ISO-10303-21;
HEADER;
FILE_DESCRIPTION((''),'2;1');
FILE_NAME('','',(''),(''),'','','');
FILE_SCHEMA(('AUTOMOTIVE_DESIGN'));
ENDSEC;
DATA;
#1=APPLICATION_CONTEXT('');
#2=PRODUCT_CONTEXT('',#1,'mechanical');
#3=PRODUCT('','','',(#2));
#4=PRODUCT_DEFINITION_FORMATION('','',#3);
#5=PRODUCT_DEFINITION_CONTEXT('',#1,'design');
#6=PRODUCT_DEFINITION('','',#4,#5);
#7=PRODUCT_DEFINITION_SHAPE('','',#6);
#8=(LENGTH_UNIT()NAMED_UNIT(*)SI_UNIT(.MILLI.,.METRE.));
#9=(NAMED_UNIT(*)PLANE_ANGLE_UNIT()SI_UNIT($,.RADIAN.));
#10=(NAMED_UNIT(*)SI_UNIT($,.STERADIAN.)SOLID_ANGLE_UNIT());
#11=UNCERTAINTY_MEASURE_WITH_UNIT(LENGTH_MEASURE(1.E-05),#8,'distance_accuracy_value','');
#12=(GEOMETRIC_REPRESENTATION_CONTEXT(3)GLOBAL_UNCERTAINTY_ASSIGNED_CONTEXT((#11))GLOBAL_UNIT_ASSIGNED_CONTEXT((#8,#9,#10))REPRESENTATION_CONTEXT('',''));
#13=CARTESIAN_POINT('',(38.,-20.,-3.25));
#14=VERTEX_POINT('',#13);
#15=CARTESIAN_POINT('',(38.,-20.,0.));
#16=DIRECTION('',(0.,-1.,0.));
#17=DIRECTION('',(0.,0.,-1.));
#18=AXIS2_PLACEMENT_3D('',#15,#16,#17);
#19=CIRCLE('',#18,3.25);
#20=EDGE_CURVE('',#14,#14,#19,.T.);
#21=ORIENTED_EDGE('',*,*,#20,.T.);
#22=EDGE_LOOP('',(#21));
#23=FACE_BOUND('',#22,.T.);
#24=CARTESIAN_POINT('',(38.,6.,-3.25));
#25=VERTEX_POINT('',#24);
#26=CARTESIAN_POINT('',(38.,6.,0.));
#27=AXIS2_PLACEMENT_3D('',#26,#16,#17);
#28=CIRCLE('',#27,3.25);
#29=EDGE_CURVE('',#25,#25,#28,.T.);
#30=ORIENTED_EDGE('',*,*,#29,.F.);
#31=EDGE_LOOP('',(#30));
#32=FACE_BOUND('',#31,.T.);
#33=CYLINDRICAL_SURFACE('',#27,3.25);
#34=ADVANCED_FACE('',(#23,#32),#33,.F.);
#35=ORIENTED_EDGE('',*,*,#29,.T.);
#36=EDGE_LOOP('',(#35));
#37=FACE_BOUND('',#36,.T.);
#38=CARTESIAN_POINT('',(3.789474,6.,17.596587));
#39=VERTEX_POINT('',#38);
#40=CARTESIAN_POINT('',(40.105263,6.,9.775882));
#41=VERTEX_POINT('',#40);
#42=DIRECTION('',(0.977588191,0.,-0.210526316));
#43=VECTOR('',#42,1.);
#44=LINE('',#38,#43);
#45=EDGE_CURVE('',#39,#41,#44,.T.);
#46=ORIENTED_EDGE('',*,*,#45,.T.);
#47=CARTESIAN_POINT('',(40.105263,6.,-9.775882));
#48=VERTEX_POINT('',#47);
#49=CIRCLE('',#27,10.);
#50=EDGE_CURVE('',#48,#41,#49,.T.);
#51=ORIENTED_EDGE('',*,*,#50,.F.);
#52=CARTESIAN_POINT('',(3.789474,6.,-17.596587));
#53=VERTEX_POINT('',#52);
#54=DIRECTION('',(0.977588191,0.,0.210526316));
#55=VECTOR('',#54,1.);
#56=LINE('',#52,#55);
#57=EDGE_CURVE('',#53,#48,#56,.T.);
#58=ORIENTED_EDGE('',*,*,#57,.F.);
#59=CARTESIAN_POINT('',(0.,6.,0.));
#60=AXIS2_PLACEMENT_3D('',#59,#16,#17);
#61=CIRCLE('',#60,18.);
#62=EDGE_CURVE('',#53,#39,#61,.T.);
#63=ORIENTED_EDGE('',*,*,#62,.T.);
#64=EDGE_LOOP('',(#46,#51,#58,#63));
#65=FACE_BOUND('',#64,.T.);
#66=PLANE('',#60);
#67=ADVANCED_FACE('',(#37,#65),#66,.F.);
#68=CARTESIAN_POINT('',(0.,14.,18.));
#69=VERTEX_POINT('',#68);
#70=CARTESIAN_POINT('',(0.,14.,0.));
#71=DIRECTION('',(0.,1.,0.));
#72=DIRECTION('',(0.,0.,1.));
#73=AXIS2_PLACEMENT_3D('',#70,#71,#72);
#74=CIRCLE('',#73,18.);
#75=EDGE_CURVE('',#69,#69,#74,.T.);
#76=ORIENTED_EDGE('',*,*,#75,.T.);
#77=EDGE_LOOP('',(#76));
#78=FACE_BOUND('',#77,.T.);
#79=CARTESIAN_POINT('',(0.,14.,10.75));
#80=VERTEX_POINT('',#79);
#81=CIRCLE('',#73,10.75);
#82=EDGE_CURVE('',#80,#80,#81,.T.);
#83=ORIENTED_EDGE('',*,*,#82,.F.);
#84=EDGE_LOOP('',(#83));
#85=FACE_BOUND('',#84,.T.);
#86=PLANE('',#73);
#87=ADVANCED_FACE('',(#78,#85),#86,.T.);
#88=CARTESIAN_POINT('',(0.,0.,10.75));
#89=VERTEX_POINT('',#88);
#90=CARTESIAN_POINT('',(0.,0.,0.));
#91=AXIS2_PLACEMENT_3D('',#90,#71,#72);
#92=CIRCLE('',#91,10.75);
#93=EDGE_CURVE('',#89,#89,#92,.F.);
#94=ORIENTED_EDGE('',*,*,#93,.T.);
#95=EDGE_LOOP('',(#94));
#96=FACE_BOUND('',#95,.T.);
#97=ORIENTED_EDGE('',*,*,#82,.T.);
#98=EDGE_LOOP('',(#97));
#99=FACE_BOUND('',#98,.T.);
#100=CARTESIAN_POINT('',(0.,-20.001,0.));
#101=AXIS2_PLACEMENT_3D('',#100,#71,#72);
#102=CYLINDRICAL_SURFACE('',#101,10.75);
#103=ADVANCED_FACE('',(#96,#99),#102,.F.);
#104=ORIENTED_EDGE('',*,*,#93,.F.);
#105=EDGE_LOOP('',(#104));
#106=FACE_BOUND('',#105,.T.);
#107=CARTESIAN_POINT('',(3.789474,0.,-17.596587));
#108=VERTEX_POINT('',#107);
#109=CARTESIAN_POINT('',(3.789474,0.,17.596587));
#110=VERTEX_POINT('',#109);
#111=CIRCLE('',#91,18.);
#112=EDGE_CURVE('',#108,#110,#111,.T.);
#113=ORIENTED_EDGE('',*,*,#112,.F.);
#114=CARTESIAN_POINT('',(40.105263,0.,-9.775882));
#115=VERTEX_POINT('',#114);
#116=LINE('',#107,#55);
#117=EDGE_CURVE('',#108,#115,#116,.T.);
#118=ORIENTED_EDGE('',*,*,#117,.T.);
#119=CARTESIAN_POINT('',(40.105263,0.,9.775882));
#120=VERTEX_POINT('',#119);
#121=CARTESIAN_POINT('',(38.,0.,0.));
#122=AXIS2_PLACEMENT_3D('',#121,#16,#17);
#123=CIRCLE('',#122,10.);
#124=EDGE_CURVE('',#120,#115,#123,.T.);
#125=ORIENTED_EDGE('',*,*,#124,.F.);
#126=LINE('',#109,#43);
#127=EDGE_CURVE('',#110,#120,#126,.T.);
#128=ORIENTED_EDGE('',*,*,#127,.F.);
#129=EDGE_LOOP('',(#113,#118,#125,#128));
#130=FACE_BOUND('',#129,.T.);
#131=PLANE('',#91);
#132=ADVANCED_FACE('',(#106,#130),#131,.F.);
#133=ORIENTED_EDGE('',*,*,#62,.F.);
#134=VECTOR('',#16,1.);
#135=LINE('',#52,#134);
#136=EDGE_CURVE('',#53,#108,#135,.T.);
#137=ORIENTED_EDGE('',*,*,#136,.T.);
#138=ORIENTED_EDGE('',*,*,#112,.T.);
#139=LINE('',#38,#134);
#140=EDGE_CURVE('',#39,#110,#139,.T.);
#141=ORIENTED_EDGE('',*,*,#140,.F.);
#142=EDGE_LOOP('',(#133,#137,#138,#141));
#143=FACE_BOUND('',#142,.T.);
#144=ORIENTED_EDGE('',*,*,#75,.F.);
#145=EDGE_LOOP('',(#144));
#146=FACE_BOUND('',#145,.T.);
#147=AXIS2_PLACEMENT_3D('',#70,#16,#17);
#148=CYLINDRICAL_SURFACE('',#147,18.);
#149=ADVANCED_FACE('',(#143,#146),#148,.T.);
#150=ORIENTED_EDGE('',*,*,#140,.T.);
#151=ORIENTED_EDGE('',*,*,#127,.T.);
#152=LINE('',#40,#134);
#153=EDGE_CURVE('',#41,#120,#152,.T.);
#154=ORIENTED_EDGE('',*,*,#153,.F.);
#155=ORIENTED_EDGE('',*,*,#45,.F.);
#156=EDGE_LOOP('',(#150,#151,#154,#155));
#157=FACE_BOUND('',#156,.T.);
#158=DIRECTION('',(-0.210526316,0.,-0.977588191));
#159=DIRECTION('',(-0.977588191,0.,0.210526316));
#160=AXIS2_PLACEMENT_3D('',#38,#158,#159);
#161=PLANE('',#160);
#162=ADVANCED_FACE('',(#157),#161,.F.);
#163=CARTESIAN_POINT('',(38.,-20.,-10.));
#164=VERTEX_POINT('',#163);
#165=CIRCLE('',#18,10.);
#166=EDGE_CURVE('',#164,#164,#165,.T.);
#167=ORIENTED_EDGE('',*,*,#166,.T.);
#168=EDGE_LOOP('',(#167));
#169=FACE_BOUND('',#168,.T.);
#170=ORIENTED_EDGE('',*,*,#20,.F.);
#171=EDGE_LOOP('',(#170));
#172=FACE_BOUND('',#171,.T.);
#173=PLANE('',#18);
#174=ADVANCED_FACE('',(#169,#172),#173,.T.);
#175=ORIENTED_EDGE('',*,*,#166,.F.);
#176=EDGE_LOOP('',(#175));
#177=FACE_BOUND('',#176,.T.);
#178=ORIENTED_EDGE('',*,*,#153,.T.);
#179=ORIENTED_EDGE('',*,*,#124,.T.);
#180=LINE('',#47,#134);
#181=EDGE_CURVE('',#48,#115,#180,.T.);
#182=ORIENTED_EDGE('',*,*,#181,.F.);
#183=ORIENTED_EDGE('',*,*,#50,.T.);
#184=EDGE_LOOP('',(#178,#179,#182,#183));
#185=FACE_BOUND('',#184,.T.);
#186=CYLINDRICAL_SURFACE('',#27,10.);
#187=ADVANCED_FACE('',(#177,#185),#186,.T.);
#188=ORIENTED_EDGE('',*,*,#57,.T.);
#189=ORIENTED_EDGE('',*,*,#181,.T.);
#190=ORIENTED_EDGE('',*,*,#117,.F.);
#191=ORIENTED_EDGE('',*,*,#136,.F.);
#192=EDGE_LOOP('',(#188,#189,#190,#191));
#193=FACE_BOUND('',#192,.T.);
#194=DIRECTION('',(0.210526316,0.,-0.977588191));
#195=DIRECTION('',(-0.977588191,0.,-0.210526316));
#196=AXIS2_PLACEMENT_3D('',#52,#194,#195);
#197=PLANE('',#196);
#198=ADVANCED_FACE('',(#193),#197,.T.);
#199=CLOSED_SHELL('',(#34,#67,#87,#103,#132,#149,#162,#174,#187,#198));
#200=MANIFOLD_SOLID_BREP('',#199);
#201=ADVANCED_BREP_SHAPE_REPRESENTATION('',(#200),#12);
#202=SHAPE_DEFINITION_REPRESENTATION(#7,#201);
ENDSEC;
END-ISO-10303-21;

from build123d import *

# Parameters (mm, degrees)
SKETCH1_R           = 18
BOSS_EXTRUDE1_DEPTH = 14
SKETCH2_R           = 3.25
BOSS_EXTRUDE2_DEPTH = 6
SKETCH3_R           = 10
SKETCH3_R_2         = 3.25
BOSS_EXTRUDE3_DEPTH = 20
CUT_EXTRUDE1_REACH  = 63.514
SKETCH4_R           = 10.75


with BuildPart() as part:
    # Sketch1 → Boss-Extrude1 (new body)
    with BuildSketch(Plane(origin=(0, 0, 0), x_dir=(1, 0, 0), z_dir=(0, 1, 0))):
        with Locations(Location((0, 0, 0), (0, 0, 270))):
            Circle(SKETCH1_R)
    extrude(amount=BOSS_EXTRUDE1_DEPTH)

    # Sketch2 → Boss-Extrude2 (add)
    with BuildSketch(Plane.XZ):
        with BuildLine():
            Line((40.105263158, 9.775881906), (3.789473684, 17.59658743))
            ThreePointArc((3.789473684, 17.59658743), (14.003758894, 11.309055524), (18, 0))
            ThreePointArc((18, 0), (14.003758894, -11.309055524), (3.789473684, -17.59658743))
            Line((3.789473684, -17.59658743), (40.105263158, -9.775881906))
            ThreePointArc((40.105263158, -9.775881906), (48, 0), (40.105263158, 9.775881906))
        make_face()
        with Locations(Location((38, 0, 0), (0, 0, 270))):
            Circle(SKETCH2_R, mode=Mode.SUBTRACT)
    extrude(amount=-BOSS_EXTRUDE2_DEPTH)

    # Sketch3 → Boss-Extrude3 (add)
    with BuildSketch(Plane.XZ):
        with Locations(Location((38, 0, 0), (0, 0, 270))):
            Circle(SKETCH3_R)
        with Locations(Location((38, 0, 0), (0, 0, 270))):
            Circle(SKETCH3_R_2, mode=Mode.SUBTRACT)
    extrude(amount=BOSS_EXTRUDE3_DEPTH)

    # Sketch4 → Cut-Extrude1 (cut, up to next)
    with BuildSketch(Plane(origin=(0, 14, 0), x_dir=(1, 0, 0), z_dir=(0, 1, 0)), mode=Mode.PRIVATE) as cut_extrude1_sk1:
        with Locations(Location((0, 0, 0), (0, 0, 270))):
            Circle(SKETCH4_R)
    cut_extrude1_tool1 = extrude(cut_extrude1_sk1.sketch, amount=-CUT_EXTRUDE1_REACH, mode=Mode.PRIVATE) & part.part
    add(cut_extrude1_tool1.solids().sort_by_distance((0, 14, 0))[0], mode=Mode.SUBTRACT)


solid = part.part
